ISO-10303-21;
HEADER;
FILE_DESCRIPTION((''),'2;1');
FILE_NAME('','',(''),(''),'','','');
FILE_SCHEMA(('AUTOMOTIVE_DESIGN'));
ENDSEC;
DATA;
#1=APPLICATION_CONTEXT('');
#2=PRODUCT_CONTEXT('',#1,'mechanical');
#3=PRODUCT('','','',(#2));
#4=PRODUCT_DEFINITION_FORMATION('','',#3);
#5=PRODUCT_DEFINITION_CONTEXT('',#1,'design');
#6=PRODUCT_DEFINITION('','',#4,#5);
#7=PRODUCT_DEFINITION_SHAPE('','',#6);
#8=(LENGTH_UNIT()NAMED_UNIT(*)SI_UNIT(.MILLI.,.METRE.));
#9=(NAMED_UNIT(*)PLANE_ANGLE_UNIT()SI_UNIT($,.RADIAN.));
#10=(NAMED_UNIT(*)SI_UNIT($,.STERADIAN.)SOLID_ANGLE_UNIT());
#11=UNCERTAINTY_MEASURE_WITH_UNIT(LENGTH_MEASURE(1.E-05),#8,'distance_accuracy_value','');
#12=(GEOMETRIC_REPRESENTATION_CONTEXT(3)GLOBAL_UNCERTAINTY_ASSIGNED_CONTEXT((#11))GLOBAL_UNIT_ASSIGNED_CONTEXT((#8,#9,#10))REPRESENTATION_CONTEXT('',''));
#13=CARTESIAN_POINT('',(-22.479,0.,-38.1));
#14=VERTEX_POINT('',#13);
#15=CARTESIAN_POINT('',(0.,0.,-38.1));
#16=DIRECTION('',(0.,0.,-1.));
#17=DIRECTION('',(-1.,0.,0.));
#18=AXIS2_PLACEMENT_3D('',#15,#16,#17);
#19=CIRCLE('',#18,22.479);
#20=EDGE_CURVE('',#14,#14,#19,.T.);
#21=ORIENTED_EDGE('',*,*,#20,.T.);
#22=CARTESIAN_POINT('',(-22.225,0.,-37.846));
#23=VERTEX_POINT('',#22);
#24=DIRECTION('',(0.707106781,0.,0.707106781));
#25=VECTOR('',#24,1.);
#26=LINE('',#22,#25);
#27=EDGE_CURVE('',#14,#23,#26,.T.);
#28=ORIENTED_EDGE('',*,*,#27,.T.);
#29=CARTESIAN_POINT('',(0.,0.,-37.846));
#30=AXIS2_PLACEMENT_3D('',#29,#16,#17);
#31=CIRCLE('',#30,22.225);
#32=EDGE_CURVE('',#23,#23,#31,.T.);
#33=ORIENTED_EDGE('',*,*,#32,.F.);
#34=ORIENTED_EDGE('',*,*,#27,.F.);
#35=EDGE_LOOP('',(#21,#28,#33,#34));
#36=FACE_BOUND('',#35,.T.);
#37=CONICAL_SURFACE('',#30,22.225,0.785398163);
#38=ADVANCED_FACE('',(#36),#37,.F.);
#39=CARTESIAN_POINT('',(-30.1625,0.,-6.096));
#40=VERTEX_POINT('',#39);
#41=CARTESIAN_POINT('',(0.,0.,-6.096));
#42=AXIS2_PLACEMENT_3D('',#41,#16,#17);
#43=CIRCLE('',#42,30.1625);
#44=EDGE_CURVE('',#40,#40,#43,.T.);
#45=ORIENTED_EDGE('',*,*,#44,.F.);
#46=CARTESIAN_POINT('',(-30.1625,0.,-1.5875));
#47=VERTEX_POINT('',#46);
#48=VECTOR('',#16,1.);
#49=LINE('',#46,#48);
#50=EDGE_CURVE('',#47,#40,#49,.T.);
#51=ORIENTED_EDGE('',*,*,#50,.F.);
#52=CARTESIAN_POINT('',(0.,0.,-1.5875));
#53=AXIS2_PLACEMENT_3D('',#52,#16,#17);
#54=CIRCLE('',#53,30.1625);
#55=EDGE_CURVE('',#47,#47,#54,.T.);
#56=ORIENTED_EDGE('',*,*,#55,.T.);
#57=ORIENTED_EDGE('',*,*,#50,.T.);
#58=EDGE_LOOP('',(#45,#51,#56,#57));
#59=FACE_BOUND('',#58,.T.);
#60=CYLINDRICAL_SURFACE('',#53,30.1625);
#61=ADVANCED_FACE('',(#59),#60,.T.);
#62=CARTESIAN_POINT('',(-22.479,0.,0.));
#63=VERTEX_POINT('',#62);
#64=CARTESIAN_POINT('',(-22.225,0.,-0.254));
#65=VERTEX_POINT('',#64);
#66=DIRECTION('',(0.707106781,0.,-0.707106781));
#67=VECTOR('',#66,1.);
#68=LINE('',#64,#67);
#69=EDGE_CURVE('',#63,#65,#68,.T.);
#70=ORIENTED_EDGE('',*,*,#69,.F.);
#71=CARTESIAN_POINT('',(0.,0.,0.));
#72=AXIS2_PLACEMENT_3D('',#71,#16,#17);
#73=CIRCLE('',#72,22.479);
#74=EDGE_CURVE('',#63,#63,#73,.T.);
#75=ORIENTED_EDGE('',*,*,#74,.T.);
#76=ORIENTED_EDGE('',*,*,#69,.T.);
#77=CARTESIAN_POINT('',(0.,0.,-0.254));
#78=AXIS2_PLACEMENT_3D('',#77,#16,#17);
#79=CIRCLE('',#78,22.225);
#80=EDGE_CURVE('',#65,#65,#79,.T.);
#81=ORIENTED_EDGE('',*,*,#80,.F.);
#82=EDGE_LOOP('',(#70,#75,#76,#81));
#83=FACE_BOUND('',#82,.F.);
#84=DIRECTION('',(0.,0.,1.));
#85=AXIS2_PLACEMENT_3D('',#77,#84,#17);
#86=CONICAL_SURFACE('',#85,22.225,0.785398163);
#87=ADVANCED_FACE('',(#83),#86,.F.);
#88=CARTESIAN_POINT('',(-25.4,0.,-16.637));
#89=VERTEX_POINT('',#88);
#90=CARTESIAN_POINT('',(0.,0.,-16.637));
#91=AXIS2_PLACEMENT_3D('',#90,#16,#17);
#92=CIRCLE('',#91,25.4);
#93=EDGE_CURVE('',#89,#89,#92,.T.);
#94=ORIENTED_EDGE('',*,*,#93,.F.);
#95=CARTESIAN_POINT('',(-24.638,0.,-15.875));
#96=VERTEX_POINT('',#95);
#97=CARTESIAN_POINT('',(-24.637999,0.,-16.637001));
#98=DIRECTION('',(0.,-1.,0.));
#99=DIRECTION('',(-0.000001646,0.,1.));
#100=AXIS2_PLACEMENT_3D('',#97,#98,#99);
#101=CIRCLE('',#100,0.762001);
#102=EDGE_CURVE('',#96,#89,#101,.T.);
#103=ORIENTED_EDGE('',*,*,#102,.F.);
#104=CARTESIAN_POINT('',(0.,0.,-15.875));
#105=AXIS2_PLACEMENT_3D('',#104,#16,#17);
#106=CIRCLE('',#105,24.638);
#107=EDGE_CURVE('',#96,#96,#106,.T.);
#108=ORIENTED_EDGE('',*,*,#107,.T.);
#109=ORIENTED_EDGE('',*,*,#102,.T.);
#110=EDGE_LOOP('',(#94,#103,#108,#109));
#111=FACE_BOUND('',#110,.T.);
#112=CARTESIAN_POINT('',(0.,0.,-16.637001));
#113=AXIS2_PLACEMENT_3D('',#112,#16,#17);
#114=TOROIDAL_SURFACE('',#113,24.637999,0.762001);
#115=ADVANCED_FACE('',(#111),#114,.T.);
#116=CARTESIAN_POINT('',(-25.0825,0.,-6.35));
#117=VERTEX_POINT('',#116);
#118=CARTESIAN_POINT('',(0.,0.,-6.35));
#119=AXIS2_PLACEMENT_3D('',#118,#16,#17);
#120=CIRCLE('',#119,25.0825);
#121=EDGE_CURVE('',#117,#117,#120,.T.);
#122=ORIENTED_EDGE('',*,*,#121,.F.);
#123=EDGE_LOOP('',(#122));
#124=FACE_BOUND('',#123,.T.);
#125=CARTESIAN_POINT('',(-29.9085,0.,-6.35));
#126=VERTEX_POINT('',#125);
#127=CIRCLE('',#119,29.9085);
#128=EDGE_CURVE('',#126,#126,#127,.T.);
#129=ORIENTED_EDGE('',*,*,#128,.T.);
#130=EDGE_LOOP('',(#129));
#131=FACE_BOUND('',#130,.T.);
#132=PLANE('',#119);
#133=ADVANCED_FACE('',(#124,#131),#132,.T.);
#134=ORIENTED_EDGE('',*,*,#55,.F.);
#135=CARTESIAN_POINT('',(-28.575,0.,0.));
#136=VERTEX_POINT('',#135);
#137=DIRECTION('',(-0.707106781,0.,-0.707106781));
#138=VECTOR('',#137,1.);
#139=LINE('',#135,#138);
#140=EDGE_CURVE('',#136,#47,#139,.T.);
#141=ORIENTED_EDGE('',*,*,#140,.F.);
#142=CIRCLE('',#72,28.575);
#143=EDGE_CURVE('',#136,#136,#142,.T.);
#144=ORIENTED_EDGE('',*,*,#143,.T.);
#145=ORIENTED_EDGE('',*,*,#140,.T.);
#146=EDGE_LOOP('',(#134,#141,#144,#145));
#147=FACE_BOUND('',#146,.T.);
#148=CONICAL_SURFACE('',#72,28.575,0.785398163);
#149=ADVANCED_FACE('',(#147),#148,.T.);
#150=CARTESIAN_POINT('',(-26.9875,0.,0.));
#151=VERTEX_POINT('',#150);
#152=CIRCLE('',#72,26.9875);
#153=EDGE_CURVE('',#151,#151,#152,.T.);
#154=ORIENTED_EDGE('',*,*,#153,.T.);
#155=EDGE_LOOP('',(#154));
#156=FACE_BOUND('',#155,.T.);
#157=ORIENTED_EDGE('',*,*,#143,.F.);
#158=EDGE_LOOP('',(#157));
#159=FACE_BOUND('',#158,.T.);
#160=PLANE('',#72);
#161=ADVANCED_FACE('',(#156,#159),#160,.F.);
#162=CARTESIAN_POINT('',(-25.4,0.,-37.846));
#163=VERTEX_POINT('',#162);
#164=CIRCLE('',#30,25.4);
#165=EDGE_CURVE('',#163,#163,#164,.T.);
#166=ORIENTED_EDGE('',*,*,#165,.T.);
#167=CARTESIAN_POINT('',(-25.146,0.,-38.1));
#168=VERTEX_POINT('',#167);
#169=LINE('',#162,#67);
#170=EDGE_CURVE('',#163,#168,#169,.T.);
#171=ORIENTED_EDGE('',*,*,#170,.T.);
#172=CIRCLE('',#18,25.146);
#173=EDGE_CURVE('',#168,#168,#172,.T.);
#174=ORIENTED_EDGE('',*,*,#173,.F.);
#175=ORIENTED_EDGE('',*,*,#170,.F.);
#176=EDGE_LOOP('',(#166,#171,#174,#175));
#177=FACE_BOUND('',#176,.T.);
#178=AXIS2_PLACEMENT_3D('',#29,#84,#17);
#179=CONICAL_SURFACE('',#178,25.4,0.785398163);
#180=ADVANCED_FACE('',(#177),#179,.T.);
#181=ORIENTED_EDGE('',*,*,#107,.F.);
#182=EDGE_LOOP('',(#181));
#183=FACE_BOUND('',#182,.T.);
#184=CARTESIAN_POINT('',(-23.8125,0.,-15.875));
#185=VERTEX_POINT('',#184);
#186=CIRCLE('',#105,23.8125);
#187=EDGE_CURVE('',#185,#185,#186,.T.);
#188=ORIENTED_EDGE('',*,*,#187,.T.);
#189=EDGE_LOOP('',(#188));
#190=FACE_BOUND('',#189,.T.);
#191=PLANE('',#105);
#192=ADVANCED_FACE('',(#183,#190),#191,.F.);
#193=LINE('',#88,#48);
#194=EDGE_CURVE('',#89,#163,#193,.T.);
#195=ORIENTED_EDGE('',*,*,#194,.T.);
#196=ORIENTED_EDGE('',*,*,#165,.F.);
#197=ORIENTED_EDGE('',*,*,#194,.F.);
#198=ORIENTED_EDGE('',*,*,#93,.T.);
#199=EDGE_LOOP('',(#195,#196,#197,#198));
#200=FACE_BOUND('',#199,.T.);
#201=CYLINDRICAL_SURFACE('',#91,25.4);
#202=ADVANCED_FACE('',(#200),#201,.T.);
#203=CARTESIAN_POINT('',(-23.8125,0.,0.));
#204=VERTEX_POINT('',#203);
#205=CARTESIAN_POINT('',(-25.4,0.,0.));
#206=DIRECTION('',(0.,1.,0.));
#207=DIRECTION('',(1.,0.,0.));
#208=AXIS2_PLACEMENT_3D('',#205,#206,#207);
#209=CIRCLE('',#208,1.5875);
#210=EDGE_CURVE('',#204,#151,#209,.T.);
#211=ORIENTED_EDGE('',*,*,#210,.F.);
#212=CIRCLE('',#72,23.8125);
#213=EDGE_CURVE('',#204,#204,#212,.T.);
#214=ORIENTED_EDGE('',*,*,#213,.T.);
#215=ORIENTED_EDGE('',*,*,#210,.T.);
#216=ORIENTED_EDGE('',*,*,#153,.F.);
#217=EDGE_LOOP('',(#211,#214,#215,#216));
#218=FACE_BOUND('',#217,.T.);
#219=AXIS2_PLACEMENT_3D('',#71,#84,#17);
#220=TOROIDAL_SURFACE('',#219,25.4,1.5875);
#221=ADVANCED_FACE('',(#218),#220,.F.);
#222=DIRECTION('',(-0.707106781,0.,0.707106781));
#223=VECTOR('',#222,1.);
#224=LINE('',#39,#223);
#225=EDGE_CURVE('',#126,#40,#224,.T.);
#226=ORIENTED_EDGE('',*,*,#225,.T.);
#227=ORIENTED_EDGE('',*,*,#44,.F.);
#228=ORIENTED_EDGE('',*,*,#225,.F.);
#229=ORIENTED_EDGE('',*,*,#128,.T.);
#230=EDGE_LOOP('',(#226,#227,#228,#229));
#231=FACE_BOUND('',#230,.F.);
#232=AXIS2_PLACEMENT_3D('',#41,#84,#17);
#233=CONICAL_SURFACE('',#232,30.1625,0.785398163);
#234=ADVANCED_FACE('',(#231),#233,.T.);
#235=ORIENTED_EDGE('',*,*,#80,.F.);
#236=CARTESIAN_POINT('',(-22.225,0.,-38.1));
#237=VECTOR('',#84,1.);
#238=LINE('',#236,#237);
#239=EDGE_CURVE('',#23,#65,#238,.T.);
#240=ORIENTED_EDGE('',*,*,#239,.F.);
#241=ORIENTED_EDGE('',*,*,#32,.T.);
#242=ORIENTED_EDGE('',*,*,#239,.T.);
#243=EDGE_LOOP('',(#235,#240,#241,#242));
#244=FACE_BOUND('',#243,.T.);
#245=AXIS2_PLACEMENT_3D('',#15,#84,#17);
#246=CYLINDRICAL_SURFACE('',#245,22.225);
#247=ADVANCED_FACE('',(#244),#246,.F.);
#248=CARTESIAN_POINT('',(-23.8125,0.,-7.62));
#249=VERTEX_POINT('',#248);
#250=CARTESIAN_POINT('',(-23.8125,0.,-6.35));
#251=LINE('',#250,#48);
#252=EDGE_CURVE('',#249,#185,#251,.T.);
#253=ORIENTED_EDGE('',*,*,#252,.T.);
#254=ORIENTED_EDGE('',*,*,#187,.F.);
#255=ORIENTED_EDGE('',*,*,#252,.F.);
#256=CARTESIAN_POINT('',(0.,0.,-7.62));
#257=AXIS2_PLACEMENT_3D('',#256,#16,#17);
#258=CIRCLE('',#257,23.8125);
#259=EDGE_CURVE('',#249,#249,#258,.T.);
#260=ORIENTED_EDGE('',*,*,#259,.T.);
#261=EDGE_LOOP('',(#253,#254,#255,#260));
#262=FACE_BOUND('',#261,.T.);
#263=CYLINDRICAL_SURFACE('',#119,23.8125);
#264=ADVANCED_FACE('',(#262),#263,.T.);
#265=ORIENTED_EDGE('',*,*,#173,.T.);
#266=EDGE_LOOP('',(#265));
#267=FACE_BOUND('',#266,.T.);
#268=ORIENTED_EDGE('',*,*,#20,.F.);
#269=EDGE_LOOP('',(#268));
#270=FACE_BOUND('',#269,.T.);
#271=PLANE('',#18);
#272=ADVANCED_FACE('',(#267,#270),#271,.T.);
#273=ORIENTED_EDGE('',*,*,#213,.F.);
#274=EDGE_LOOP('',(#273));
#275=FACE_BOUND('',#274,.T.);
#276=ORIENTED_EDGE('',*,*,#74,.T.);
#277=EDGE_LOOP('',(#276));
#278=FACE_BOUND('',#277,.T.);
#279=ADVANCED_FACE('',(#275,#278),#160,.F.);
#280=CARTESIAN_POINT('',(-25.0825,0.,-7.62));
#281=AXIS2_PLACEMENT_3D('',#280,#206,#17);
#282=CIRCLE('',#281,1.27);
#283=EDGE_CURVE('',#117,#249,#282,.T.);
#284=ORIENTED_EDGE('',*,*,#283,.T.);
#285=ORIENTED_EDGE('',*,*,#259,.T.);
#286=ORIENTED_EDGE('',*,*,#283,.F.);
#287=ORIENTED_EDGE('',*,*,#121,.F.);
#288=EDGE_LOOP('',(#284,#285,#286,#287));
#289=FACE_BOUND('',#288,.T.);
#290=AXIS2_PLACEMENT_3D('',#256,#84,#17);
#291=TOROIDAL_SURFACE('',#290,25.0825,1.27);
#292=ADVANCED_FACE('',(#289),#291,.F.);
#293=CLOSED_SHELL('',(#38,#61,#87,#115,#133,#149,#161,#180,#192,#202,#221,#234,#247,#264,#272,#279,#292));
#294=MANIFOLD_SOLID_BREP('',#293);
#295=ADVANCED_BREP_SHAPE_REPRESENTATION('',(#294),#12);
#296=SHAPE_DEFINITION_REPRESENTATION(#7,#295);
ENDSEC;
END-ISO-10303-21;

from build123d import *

# Parameters (mm, degrees)
F2_R    = 1.27
F3_SIZE = 0.254


with BuildPart() as f1:
    # F0 (on Front) → F1 (revolve)
    with BuildSketch(Plane.XZ):
        with BuildLine():
            Line((-22.225, -38.1), (-22.225, 0))
            Line((-22.225, 0), (-23.8125, 0))
            ThreePointArc((-23.8125, 0), (-25.4, -1.5875), (-26.9875, 0))
            Line((-26.9875, 0), (-28.575, 0))
            Line((-28.575, 0), (-30.1625, -1.5875))
            Line((-30.1625, -1.5875), (-30.1625, -6.35))
            Line((-30.1625, -6.35), (-23.8125, -6.35))
            Line((-23.8125, -6.35), (-23.8125, -15.875))
            Line((-23.8125, -15.875), (-24.638, -15.875))
            ThreePointArc((-24.638, -15.875), (-25.176815, -16.098185), (-25.4, -16.637))
            Line((-25.4, -16.637), (-25.4, -38.1))
            Line((-25.4, -38.1), (-22.225, -38.1))
        make_face()
    revolve(axis=Axis((0, 0, -15.143116), (0, 0, -1)))

    # F2
    f2_edges = [f1.edges().sort_by_distance(p)[0] for p in [
        (23.8125, 0, -6.35),
    ]]
    fillet(f2_edges, radius=F2_R)

    # F3
    f3_edges = [f1.edges().sort_by_distance(p)[0] for p in [
        (30.1625, 0, -6.35),
        (25.4, 0, -38.1),
        (22.225, 0, 0),
        (22.225, 0, -38.1),
    ]]
    chamfer(f3_edges, length=F3_SIZE)


solid = f1.part
